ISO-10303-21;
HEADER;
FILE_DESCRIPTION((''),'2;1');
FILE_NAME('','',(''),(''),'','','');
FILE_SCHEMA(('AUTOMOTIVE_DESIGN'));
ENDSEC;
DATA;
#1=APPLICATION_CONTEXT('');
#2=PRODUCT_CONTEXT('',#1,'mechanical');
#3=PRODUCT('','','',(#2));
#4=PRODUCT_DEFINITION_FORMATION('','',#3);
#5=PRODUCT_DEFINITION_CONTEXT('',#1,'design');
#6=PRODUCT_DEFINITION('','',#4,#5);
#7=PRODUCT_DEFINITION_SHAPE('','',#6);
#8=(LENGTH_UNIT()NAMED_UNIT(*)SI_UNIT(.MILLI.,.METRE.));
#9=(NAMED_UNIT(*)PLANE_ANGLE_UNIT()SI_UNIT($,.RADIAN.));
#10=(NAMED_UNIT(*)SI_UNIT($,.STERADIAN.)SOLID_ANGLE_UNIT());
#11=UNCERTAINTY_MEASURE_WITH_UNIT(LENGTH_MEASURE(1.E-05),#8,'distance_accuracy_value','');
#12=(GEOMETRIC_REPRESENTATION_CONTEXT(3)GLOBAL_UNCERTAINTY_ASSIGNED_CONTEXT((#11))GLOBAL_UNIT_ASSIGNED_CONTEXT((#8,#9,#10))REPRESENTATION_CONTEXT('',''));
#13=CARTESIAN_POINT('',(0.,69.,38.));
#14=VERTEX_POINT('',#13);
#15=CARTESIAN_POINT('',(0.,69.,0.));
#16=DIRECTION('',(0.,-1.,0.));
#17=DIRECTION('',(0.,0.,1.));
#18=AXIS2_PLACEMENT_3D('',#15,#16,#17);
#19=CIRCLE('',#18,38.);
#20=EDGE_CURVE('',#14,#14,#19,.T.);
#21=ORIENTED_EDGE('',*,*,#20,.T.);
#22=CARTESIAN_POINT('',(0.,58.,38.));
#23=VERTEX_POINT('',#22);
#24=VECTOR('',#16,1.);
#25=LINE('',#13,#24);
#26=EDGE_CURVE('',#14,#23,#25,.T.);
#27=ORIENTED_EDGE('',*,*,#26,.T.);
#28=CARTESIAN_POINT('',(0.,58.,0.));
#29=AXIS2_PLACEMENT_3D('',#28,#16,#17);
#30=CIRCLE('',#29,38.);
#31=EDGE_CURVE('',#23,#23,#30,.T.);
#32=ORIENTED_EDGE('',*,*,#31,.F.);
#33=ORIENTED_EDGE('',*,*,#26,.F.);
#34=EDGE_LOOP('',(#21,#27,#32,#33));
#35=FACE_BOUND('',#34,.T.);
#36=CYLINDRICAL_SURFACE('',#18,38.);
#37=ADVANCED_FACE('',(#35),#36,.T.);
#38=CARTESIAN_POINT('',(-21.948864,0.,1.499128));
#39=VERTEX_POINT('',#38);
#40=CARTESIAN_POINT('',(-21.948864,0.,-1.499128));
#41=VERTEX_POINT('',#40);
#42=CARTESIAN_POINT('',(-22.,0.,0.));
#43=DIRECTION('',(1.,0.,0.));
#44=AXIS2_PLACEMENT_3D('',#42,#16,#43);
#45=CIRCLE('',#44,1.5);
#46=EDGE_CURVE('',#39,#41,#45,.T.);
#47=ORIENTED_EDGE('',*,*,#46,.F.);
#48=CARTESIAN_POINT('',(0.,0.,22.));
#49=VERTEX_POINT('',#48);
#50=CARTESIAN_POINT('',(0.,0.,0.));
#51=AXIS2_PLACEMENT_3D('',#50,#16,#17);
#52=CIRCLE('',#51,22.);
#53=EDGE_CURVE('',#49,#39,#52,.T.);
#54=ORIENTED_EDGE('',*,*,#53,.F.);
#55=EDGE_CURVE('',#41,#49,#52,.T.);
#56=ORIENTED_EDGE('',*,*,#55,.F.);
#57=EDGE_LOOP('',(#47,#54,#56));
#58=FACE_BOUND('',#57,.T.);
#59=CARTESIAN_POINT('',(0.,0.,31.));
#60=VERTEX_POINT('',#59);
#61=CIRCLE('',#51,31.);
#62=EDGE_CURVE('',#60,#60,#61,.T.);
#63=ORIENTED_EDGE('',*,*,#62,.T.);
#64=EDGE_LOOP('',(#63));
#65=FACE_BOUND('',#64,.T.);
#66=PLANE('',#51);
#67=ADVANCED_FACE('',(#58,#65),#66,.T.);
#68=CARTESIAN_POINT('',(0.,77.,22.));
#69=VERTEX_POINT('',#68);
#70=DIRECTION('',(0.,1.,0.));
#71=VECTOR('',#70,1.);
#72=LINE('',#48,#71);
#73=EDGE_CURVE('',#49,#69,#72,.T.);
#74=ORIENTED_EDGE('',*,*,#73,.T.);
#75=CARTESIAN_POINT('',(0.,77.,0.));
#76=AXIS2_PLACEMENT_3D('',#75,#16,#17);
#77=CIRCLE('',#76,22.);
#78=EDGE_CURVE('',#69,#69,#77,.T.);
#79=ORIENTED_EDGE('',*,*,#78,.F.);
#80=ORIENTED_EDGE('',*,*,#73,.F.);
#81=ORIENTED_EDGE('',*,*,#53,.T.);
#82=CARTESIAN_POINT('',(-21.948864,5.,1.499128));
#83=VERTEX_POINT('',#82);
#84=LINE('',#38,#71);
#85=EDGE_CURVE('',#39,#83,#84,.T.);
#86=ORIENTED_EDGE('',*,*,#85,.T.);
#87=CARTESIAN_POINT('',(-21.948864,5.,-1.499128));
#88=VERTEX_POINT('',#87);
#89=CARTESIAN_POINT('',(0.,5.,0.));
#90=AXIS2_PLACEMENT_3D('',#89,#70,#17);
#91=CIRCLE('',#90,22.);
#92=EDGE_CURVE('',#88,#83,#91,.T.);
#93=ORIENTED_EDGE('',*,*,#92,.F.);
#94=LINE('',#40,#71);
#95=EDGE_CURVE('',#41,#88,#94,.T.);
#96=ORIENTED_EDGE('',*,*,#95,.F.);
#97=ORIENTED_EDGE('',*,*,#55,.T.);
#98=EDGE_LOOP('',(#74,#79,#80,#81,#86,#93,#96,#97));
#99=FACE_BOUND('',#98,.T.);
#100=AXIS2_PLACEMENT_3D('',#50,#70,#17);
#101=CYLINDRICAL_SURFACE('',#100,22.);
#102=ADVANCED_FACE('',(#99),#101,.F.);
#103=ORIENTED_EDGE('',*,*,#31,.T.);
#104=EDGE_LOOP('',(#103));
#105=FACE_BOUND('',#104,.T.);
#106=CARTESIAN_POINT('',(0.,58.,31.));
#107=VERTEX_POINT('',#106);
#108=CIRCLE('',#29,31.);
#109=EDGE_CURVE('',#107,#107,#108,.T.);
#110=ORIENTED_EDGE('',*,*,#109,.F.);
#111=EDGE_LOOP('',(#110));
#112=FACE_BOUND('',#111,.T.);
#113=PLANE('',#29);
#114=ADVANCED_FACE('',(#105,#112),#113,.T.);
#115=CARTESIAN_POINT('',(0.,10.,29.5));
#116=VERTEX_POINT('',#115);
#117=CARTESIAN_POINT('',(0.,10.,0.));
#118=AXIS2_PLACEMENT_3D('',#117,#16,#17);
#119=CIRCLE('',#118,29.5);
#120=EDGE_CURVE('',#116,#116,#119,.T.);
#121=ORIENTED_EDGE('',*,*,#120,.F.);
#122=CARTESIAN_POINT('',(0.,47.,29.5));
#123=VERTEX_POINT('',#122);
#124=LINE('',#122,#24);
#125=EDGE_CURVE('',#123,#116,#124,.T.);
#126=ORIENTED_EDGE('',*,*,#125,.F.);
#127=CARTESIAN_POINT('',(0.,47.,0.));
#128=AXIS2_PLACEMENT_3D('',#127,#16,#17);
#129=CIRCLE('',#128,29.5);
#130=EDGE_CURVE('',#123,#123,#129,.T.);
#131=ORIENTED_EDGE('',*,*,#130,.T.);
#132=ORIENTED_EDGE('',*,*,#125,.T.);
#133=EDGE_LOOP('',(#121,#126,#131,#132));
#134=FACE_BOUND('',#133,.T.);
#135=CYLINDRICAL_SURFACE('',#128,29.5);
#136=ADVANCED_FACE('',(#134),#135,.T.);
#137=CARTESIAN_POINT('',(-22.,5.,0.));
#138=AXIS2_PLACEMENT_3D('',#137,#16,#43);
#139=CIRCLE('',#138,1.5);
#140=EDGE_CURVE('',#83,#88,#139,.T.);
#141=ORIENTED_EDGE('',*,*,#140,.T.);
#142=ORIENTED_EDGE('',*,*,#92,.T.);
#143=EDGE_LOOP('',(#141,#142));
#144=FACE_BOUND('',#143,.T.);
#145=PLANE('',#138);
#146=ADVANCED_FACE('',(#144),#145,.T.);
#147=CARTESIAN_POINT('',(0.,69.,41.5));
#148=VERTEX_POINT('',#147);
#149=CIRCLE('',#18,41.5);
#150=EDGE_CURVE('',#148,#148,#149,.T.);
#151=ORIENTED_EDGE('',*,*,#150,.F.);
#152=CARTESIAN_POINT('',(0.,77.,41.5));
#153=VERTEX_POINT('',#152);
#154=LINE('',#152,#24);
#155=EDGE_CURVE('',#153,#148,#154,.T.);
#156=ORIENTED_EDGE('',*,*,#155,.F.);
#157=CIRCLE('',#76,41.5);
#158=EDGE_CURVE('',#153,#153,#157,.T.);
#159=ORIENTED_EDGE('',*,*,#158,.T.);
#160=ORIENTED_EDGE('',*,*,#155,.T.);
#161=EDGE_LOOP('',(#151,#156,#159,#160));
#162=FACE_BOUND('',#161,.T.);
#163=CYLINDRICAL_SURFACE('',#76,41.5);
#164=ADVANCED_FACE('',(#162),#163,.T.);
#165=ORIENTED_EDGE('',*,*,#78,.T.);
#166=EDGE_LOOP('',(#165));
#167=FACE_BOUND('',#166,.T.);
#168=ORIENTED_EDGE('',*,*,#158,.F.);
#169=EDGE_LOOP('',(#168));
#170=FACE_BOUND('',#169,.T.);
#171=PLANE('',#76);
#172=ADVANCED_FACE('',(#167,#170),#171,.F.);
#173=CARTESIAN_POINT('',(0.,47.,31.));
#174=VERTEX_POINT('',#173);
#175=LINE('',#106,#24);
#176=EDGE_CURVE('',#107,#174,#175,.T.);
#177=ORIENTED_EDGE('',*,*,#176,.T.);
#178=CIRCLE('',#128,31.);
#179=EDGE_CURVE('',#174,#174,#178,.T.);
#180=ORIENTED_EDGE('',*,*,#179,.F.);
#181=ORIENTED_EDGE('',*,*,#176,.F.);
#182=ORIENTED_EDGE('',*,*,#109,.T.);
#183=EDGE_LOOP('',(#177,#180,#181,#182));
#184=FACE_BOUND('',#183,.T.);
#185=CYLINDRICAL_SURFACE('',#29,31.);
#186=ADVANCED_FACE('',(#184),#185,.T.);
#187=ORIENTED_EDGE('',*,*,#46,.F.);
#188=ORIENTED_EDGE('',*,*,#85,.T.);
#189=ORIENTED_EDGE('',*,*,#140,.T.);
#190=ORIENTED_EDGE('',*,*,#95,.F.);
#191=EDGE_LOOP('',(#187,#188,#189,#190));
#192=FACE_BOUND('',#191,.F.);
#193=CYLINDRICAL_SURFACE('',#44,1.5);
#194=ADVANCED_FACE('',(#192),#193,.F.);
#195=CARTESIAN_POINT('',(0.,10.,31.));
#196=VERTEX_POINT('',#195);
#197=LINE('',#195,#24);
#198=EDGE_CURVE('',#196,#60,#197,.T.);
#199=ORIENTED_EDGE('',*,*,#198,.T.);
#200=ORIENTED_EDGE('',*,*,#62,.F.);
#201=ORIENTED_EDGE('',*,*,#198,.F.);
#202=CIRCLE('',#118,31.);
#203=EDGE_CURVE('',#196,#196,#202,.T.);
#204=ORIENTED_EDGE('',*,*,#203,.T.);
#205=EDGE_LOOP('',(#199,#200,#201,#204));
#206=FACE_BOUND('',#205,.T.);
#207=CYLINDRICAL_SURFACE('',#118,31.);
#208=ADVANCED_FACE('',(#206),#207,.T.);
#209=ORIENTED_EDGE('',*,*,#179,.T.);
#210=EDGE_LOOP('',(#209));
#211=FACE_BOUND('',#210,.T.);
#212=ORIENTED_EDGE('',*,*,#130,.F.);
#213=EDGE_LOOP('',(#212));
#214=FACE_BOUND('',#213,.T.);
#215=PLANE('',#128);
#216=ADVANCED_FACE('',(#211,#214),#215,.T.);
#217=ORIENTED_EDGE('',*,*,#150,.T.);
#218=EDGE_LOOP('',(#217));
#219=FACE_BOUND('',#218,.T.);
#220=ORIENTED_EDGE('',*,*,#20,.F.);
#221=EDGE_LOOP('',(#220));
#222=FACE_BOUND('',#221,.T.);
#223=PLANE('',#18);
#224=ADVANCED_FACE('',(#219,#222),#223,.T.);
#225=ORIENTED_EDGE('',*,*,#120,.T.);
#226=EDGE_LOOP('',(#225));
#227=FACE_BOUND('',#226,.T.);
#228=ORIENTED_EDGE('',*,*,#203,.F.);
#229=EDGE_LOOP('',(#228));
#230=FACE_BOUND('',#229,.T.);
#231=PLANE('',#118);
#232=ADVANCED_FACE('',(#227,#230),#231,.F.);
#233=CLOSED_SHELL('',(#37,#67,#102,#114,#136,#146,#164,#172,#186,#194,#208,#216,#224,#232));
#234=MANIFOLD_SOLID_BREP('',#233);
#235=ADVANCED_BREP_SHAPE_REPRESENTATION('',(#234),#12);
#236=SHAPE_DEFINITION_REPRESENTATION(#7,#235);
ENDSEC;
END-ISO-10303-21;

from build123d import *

# Parameters (mm, degrees)
SKETCH3_R          = 1.5
CUT_EXTRUDE1_DEPTH = 5


with BuildPart() as part:
    # Sketch1 → Revolve1 (revolve)
    with BuildSketch(Plane.XY, mode=Mode.PRIVATE) as revolve1_sk:
        Polygon((22, 0), (22, 77), (41.5, 77), (41.5, 69), (38, 69), (38, 58), (31, 58), (31, 47), (29.5, 47), (29.5, 10), (31, 10), (31, 0), align=None)
    revolve(revolve1_sk.sketch.rotate(Axis((0, 42.013888889, 0), (0, -1, 0)), 90), axis=Axis((0, 42.013888889, 0), (0, -1, 0)))  # turned: the seam where the file's is

    # Sketch3 → Cut-Extrude1 (cut)
    with BuildSketch(Plane.XZ):
        with Locations((-22, 0)):
            Circle(SKETCH3_R)
    extrude(amount=-CUT_EXTRUDE1_DEPTH, mode=Mode.SUBTRACT)


solid = part.part
